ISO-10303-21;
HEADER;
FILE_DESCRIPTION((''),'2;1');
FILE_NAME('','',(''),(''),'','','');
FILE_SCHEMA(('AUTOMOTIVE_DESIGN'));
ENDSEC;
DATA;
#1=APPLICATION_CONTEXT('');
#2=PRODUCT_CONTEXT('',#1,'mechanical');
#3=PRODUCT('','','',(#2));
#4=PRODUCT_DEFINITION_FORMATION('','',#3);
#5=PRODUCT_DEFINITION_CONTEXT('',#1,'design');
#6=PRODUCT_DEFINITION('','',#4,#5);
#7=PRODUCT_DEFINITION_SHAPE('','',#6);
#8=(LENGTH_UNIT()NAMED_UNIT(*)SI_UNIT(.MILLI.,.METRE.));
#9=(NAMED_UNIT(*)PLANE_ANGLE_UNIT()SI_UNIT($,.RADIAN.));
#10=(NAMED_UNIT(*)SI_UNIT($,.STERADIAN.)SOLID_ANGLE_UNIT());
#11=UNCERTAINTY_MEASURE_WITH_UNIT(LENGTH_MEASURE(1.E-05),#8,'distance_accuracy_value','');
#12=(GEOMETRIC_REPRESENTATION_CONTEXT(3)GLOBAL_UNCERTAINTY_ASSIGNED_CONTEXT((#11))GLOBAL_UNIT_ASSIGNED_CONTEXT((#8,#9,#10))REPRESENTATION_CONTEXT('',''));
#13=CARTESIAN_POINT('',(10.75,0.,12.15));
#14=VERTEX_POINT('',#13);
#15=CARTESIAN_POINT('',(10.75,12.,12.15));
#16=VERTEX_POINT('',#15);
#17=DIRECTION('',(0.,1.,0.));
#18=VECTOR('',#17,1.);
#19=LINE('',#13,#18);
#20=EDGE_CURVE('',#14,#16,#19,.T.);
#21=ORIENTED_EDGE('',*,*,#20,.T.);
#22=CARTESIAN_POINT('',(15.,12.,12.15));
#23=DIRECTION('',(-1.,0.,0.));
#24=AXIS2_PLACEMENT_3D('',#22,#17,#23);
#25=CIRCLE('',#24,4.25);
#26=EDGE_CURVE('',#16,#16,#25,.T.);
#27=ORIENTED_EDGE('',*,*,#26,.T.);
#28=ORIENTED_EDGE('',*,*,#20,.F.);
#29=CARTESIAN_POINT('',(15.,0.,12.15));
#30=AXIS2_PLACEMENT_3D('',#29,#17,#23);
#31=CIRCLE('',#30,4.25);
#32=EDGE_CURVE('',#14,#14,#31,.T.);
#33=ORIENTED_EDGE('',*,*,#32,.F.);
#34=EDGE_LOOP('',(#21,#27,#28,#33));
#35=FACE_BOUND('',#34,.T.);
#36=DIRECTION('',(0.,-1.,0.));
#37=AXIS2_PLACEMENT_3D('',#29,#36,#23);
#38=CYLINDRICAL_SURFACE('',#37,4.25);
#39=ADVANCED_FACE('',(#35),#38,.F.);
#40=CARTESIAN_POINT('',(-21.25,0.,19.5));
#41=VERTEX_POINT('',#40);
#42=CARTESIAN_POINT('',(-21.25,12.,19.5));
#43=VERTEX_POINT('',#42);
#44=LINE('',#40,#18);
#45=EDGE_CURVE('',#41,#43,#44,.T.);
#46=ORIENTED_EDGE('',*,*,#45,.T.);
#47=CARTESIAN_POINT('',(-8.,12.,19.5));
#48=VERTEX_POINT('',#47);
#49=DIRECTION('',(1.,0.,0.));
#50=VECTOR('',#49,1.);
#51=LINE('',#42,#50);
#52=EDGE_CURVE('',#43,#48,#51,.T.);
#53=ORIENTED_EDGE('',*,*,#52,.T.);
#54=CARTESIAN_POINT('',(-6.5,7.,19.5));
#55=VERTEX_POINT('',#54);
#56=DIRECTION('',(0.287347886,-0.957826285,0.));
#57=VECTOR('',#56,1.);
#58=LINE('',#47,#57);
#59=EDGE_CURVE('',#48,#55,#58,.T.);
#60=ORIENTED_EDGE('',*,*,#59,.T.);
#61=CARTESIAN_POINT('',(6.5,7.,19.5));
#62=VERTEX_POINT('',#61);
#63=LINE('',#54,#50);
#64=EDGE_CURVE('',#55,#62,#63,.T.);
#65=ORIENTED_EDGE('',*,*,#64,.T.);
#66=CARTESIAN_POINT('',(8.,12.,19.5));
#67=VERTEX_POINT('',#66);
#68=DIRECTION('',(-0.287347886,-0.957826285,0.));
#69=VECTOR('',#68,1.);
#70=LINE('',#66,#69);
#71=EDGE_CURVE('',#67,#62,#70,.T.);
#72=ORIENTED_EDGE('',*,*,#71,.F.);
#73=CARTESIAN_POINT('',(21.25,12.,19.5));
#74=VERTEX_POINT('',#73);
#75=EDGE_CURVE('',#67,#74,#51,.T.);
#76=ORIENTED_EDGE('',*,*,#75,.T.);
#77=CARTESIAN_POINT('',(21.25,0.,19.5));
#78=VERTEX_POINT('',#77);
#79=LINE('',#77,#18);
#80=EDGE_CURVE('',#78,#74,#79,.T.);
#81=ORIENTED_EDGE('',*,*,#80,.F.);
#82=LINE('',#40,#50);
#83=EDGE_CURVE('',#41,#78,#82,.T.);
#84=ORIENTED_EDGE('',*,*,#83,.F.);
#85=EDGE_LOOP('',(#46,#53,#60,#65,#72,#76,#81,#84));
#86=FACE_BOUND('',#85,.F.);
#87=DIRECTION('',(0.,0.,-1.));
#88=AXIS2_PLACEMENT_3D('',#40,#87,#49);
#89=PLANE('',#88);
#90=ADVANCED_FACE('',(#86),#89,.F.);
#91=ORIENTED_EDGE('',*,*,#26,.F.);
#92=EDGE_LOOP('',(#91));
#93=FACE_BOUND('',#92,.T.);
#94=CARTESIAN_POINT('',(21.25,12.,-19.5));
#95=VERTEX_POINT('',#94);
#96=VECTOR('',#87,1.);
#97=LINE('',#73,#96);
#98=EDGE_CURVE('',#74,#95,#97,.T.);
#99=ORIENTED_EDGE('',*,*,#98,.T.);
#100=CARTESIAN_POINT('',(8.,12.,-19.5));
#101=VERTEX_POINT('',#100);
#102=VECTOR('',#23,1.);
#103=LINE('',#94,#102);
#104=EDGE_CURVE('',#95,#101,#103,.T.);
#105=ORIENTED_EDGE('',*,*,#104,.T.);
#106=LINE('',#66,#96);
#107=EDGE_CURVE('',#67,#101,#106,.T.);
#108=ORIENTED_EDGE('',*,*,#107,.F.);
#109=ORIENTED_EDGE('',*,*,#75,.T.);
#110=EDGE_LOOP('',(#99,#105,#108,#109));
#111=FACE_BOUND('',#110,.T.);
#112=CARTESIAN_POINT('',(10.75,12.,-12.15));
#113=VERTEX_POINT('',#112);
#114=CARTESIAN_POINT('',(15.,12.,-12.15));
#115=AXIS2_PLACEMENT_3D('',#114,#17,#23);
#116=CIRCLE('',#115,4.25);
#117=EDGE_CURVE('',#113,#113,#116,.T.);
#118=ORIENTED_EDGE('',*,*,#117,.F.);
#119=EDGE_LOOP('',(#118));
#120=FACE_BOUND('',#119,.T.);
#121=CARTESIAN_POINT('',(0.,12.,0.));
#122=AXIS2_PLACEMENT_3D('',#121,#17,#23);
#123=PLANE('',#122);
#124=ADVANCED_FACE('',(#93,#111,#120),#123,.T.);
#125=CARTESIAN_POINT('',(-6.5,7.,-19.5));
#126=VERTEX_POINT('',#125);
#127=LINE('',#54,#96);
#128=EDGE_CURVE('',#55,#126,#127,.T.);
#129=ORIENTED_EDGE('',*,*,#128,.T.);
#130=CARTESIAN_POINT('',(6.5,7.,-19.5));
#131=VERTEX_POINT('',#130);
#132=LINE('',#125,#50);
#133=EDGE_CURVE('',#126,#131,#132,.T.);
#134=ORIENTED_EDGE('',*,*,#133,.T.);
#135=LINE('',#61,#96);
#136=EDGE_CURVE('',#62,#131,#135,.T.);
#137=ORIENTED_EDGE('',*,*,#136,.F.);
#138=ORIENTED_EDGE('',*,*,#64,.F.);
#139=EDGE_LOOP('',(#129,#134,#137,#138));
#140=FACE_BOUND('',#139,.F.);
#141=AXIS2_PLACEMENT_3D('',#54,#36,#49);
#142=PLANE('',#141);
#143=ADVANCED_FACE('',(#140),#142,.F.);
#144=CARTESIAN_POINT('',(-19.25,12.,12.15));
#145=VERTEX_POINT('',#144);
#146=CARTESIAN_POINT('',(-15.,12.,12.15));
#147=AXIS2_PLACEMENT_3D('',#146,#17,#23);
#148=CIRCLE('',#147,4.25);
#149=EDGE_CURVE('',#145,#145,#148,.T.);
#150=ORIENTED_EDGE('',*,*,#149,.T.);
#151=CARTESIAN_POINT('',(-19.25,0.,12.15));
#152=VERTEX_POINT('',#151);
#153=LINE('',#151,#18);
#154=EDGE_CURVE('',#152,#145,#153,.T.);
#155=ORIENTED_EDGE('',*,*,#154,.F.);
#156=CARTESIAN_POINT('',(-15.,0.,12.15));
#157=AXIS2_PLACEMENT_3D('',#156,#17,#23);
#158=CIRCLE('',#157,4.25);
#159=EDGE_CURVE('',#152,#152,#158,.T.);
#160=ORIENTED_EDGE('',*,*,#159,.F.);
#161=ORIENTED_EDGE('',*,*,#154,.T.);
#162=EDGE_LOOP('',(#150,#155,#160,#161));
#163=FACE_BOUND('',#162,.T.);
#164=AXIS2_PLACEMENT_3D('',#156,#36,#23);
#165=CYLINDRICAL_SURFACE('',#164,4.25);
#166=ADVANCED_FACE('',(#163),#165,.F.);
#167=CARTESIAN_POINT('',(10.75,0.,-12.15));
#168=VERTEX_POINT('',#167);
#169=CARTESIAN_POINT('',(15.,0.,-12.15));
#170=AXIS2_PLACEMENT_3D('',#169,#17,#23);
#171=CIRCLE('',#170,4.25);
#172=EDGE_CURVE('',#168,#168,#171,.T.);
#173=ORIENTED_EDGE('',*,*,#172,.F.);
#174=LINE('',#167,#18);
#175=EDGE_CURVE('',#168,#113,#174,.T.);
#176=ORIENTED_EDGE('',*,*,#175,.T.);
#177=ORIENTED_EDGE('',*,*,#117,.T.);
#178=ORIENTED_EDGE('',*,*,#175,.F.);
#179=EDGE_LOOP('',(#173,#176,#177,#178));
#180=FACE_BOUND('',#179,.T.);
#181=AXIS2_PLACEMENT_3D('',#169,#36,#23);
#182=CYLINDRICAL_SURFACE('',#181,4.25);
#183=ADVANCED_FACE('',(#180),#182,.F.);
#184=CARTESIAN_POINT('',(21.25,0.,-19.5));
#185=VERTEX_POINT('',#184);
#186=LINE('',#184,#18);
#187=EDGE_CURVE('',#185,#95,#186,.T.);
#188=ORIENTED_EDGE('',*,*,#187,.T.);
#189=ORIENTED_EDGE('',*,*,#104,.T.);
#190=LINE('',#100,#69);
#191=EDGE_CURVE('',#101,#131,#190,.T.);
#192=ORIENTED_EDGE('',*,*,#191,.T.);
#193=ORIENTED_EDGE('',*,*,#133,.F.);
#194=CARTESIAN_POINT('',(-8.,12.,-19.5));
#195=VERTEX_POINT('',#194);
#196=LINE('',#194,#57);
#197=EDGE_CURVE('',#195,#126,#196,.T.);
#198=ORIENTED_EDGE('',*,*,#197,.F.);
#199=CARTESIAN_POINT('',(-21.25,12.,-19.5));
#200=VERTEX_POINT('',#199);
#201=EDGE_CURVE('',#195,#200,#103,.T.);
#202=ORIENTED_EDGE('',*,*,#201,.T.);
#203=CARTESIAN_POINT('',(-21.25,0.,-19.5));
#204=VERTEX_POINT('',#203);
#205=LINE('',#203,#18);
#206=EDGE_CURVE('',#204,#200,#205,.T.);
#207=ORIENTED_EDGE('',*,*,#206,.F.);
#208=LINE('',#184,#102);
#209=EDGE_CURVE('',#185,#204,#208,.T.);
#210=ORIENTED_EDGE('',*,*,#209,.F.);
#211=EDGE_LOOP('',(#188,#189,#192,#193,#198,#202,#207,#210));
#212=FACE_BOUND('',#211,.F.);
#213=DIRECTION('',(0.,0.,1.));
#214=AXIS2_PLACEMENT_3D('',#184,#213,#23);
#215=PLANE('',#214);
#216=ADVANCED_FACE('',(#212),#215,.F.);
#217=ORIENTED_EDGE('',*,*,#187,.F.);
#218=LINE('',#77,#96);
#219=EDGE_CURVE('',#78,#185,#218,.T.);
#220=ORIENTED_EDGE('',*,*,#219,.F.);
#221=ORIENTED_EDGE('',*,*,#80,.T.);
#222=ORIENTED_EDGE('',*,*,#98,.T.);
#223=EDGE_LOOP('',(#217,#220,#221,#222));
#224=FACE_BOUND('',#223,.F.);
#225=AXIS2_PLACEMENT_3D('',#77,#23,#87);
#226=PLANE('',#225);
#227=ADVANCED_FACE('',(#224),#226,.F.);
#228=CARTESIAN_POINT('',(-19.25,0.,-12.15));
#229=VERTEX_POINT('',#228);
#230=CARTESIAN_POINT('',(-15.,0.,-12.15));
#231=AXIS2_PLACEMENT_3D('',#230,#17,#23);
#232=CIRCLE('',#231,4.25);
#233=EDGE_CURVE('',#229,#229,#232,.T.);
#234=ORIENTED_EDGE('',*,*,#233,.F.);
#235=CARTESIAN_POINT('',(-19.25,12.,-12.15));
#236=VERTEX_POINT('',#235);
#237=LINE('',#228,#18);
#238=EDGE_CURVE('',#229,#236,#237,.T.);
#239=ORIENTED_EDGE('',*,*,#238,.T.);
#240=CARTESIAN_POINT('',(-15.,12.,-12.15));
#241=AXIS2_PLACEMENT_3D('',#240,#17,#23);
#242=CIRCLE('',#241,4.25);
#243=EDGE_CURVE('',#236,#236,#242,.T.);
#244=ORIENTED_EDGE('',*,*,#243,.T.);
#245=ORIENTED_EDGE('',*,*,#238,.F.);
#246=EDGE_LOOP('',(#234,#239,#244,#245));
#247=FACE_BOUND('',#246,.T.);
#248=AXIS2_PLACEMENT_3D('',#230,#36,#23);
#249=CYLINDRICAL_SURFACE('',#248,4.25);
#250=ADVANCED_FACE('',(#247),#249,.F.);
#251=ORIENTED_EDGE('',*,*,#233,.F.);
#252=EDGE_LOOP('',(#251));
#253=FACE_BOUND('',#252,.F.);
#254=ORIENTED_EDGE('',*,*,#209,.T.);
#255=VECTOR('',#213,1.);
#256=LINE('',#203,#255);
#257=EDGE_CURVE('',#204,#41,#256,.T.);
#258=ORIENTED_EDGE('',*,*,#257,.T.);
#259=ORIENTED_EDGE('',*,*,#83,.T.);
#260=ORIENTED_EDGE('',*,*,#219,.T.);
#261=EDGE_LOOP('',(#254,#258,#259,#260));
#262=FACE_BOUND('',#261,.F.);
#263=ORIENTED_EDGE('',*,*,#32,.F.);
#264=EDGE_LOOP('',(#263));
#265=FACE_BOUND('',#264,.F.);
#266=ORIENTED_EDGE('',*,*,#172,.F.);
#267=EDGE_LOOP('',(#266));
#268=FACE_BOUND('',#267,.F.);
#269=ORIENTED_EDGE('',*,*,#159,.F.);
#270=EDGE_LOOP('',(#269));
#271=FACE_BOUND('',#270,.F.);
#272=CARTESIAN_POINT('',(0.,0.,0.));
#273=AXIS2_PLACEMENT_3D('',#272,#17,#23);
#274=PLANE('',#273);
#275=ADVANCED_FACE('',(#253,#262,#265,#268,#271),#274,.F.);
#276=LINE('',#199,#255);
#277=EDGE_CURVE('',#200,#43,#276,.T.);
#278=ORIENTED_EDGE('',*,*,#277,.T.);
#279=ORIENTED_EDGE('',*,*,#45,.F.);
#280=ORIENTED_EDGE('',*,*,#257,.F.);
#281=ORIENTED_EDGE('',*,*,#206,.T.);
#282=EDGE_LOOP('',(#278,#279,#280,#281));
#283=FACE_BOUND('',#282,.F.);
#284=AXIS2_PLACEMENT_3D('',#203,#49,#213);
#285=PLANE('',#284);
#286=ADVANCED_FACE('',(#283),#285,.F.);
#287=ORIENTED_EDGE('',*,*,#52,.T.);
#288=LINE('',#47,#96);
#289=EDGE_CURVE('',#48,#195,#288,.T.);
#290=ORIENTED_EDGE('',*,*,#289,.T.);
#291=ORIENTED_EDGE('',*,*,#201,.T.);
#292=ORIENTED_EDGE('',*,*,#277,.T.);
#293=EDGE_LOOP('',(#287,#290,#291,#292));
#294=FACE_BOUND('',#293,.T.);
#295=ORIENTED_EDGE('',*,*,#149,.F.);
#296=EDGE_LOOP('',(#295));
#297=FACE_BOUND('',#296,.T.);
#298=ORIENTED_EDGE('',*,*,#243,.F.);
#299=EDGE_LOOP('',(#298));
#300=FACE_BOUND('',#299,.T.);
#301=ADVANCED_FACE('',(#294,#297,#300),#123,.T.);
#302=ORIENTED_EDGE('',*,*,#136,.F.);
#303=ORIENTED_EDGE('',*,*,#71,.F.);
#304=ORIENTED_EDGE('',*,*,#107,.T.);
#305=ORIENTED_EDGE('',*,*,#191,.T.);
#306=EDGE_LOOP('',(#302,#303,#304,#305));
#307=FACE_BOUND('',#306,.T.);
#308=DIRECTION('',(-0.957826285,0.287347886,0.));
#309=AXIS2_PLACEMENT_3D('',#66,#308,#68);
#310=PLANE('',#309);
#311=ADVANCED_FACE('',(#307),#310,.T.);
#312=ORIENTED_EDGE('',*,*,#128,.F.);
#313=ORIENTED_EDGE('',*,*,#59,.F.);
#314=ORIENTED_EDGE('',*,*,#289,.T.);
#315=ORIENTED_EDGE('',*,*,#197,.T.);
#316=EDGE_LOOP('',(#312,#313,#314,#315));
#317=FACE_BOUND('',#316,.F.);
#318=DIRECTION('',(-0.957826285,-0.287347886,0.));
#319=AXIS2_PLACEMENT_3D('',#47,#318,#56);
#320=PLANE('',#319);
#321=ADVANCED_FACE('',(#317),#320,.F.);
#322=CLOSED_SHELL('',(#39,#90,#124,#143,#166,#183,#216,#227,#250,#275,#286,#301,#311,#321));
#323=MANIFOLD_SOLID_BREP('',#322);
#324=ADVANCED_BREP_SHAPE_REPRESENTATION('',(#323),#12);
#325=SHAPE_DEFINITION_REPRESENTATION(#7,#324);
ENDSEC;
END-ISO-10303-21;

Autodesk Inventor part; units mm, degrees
sketch "Эскиз1" plane through (0, 0, 0) normal (0, 1, 0) x (-1, 0, 0)
  line L0 (21.25, 19.5) -> (-21.25, 19.5)
  line L1 (-21.25, 19.5) -> (-21.25, -19.5)
  line L2 (-21.25, -19.5) -> (21.25, -19.5)
  line L3 (21.25, -19.5) -> (21.25, 19.5)
  line L4 (21.25, 19.5) -> (-21.25, -19.5) construction
  line L5 (-21.25, 19.5) -> (21.25, -19.5) construction
  circle A0 centre (-15, -12.15) radius 4.25
  line L6 (0, -19.5) -> (0, 19.5) construction
  line L7 (-21.25, 0) -> (21.25, 0) construction
  circle A1 centre (15, -12.15) radius 4.25
  circle A2 centre (-15, 12.15) radius 4.25
  circle A3 centre (15, 12.15) radius 4.25
  point P0 (0, 0)
  dimension "d0" = 39
  dimension "d1" = 42.5
  dimension "d2" = 8.5
  dimension "d3" = 6.25
  dimension "d4" = 7.35
extrude "Выдавливание1" add sketch "Эскиз1" along normal blind 12
sketch "Эскиз2" plane through (-21.25, 0, 19.5) normal (0, 0, 1) x (1, 0, 0)
  line L0 (14.75, 7) -> (27.75, 7)
  line L1 (0, 12) -> (42.5, 12) projected
  line L2 (13.25, 12) -> (29.25, 12)
  line L3 (21.25, 14.4) -> (21.25, -2.4) construction
  line L4 (13.25, 12) -> (14.75, 7)
  line L5 (29.25, 12) -> (27.75, 7)
  point P0 (21.25, 0)
  point P1 (21.25, 12)
  point P2 (21.25, 7)
  point P3 (13.25, 12)
  dimension "d7" = 13
  dimension "d8" = 5
  dimension "d9" = 16
extrude "Выдавливание2" cut sketch "Эскиз2" against normal up to surface (39 mm away)
properties part number "Крепление мотора2"
